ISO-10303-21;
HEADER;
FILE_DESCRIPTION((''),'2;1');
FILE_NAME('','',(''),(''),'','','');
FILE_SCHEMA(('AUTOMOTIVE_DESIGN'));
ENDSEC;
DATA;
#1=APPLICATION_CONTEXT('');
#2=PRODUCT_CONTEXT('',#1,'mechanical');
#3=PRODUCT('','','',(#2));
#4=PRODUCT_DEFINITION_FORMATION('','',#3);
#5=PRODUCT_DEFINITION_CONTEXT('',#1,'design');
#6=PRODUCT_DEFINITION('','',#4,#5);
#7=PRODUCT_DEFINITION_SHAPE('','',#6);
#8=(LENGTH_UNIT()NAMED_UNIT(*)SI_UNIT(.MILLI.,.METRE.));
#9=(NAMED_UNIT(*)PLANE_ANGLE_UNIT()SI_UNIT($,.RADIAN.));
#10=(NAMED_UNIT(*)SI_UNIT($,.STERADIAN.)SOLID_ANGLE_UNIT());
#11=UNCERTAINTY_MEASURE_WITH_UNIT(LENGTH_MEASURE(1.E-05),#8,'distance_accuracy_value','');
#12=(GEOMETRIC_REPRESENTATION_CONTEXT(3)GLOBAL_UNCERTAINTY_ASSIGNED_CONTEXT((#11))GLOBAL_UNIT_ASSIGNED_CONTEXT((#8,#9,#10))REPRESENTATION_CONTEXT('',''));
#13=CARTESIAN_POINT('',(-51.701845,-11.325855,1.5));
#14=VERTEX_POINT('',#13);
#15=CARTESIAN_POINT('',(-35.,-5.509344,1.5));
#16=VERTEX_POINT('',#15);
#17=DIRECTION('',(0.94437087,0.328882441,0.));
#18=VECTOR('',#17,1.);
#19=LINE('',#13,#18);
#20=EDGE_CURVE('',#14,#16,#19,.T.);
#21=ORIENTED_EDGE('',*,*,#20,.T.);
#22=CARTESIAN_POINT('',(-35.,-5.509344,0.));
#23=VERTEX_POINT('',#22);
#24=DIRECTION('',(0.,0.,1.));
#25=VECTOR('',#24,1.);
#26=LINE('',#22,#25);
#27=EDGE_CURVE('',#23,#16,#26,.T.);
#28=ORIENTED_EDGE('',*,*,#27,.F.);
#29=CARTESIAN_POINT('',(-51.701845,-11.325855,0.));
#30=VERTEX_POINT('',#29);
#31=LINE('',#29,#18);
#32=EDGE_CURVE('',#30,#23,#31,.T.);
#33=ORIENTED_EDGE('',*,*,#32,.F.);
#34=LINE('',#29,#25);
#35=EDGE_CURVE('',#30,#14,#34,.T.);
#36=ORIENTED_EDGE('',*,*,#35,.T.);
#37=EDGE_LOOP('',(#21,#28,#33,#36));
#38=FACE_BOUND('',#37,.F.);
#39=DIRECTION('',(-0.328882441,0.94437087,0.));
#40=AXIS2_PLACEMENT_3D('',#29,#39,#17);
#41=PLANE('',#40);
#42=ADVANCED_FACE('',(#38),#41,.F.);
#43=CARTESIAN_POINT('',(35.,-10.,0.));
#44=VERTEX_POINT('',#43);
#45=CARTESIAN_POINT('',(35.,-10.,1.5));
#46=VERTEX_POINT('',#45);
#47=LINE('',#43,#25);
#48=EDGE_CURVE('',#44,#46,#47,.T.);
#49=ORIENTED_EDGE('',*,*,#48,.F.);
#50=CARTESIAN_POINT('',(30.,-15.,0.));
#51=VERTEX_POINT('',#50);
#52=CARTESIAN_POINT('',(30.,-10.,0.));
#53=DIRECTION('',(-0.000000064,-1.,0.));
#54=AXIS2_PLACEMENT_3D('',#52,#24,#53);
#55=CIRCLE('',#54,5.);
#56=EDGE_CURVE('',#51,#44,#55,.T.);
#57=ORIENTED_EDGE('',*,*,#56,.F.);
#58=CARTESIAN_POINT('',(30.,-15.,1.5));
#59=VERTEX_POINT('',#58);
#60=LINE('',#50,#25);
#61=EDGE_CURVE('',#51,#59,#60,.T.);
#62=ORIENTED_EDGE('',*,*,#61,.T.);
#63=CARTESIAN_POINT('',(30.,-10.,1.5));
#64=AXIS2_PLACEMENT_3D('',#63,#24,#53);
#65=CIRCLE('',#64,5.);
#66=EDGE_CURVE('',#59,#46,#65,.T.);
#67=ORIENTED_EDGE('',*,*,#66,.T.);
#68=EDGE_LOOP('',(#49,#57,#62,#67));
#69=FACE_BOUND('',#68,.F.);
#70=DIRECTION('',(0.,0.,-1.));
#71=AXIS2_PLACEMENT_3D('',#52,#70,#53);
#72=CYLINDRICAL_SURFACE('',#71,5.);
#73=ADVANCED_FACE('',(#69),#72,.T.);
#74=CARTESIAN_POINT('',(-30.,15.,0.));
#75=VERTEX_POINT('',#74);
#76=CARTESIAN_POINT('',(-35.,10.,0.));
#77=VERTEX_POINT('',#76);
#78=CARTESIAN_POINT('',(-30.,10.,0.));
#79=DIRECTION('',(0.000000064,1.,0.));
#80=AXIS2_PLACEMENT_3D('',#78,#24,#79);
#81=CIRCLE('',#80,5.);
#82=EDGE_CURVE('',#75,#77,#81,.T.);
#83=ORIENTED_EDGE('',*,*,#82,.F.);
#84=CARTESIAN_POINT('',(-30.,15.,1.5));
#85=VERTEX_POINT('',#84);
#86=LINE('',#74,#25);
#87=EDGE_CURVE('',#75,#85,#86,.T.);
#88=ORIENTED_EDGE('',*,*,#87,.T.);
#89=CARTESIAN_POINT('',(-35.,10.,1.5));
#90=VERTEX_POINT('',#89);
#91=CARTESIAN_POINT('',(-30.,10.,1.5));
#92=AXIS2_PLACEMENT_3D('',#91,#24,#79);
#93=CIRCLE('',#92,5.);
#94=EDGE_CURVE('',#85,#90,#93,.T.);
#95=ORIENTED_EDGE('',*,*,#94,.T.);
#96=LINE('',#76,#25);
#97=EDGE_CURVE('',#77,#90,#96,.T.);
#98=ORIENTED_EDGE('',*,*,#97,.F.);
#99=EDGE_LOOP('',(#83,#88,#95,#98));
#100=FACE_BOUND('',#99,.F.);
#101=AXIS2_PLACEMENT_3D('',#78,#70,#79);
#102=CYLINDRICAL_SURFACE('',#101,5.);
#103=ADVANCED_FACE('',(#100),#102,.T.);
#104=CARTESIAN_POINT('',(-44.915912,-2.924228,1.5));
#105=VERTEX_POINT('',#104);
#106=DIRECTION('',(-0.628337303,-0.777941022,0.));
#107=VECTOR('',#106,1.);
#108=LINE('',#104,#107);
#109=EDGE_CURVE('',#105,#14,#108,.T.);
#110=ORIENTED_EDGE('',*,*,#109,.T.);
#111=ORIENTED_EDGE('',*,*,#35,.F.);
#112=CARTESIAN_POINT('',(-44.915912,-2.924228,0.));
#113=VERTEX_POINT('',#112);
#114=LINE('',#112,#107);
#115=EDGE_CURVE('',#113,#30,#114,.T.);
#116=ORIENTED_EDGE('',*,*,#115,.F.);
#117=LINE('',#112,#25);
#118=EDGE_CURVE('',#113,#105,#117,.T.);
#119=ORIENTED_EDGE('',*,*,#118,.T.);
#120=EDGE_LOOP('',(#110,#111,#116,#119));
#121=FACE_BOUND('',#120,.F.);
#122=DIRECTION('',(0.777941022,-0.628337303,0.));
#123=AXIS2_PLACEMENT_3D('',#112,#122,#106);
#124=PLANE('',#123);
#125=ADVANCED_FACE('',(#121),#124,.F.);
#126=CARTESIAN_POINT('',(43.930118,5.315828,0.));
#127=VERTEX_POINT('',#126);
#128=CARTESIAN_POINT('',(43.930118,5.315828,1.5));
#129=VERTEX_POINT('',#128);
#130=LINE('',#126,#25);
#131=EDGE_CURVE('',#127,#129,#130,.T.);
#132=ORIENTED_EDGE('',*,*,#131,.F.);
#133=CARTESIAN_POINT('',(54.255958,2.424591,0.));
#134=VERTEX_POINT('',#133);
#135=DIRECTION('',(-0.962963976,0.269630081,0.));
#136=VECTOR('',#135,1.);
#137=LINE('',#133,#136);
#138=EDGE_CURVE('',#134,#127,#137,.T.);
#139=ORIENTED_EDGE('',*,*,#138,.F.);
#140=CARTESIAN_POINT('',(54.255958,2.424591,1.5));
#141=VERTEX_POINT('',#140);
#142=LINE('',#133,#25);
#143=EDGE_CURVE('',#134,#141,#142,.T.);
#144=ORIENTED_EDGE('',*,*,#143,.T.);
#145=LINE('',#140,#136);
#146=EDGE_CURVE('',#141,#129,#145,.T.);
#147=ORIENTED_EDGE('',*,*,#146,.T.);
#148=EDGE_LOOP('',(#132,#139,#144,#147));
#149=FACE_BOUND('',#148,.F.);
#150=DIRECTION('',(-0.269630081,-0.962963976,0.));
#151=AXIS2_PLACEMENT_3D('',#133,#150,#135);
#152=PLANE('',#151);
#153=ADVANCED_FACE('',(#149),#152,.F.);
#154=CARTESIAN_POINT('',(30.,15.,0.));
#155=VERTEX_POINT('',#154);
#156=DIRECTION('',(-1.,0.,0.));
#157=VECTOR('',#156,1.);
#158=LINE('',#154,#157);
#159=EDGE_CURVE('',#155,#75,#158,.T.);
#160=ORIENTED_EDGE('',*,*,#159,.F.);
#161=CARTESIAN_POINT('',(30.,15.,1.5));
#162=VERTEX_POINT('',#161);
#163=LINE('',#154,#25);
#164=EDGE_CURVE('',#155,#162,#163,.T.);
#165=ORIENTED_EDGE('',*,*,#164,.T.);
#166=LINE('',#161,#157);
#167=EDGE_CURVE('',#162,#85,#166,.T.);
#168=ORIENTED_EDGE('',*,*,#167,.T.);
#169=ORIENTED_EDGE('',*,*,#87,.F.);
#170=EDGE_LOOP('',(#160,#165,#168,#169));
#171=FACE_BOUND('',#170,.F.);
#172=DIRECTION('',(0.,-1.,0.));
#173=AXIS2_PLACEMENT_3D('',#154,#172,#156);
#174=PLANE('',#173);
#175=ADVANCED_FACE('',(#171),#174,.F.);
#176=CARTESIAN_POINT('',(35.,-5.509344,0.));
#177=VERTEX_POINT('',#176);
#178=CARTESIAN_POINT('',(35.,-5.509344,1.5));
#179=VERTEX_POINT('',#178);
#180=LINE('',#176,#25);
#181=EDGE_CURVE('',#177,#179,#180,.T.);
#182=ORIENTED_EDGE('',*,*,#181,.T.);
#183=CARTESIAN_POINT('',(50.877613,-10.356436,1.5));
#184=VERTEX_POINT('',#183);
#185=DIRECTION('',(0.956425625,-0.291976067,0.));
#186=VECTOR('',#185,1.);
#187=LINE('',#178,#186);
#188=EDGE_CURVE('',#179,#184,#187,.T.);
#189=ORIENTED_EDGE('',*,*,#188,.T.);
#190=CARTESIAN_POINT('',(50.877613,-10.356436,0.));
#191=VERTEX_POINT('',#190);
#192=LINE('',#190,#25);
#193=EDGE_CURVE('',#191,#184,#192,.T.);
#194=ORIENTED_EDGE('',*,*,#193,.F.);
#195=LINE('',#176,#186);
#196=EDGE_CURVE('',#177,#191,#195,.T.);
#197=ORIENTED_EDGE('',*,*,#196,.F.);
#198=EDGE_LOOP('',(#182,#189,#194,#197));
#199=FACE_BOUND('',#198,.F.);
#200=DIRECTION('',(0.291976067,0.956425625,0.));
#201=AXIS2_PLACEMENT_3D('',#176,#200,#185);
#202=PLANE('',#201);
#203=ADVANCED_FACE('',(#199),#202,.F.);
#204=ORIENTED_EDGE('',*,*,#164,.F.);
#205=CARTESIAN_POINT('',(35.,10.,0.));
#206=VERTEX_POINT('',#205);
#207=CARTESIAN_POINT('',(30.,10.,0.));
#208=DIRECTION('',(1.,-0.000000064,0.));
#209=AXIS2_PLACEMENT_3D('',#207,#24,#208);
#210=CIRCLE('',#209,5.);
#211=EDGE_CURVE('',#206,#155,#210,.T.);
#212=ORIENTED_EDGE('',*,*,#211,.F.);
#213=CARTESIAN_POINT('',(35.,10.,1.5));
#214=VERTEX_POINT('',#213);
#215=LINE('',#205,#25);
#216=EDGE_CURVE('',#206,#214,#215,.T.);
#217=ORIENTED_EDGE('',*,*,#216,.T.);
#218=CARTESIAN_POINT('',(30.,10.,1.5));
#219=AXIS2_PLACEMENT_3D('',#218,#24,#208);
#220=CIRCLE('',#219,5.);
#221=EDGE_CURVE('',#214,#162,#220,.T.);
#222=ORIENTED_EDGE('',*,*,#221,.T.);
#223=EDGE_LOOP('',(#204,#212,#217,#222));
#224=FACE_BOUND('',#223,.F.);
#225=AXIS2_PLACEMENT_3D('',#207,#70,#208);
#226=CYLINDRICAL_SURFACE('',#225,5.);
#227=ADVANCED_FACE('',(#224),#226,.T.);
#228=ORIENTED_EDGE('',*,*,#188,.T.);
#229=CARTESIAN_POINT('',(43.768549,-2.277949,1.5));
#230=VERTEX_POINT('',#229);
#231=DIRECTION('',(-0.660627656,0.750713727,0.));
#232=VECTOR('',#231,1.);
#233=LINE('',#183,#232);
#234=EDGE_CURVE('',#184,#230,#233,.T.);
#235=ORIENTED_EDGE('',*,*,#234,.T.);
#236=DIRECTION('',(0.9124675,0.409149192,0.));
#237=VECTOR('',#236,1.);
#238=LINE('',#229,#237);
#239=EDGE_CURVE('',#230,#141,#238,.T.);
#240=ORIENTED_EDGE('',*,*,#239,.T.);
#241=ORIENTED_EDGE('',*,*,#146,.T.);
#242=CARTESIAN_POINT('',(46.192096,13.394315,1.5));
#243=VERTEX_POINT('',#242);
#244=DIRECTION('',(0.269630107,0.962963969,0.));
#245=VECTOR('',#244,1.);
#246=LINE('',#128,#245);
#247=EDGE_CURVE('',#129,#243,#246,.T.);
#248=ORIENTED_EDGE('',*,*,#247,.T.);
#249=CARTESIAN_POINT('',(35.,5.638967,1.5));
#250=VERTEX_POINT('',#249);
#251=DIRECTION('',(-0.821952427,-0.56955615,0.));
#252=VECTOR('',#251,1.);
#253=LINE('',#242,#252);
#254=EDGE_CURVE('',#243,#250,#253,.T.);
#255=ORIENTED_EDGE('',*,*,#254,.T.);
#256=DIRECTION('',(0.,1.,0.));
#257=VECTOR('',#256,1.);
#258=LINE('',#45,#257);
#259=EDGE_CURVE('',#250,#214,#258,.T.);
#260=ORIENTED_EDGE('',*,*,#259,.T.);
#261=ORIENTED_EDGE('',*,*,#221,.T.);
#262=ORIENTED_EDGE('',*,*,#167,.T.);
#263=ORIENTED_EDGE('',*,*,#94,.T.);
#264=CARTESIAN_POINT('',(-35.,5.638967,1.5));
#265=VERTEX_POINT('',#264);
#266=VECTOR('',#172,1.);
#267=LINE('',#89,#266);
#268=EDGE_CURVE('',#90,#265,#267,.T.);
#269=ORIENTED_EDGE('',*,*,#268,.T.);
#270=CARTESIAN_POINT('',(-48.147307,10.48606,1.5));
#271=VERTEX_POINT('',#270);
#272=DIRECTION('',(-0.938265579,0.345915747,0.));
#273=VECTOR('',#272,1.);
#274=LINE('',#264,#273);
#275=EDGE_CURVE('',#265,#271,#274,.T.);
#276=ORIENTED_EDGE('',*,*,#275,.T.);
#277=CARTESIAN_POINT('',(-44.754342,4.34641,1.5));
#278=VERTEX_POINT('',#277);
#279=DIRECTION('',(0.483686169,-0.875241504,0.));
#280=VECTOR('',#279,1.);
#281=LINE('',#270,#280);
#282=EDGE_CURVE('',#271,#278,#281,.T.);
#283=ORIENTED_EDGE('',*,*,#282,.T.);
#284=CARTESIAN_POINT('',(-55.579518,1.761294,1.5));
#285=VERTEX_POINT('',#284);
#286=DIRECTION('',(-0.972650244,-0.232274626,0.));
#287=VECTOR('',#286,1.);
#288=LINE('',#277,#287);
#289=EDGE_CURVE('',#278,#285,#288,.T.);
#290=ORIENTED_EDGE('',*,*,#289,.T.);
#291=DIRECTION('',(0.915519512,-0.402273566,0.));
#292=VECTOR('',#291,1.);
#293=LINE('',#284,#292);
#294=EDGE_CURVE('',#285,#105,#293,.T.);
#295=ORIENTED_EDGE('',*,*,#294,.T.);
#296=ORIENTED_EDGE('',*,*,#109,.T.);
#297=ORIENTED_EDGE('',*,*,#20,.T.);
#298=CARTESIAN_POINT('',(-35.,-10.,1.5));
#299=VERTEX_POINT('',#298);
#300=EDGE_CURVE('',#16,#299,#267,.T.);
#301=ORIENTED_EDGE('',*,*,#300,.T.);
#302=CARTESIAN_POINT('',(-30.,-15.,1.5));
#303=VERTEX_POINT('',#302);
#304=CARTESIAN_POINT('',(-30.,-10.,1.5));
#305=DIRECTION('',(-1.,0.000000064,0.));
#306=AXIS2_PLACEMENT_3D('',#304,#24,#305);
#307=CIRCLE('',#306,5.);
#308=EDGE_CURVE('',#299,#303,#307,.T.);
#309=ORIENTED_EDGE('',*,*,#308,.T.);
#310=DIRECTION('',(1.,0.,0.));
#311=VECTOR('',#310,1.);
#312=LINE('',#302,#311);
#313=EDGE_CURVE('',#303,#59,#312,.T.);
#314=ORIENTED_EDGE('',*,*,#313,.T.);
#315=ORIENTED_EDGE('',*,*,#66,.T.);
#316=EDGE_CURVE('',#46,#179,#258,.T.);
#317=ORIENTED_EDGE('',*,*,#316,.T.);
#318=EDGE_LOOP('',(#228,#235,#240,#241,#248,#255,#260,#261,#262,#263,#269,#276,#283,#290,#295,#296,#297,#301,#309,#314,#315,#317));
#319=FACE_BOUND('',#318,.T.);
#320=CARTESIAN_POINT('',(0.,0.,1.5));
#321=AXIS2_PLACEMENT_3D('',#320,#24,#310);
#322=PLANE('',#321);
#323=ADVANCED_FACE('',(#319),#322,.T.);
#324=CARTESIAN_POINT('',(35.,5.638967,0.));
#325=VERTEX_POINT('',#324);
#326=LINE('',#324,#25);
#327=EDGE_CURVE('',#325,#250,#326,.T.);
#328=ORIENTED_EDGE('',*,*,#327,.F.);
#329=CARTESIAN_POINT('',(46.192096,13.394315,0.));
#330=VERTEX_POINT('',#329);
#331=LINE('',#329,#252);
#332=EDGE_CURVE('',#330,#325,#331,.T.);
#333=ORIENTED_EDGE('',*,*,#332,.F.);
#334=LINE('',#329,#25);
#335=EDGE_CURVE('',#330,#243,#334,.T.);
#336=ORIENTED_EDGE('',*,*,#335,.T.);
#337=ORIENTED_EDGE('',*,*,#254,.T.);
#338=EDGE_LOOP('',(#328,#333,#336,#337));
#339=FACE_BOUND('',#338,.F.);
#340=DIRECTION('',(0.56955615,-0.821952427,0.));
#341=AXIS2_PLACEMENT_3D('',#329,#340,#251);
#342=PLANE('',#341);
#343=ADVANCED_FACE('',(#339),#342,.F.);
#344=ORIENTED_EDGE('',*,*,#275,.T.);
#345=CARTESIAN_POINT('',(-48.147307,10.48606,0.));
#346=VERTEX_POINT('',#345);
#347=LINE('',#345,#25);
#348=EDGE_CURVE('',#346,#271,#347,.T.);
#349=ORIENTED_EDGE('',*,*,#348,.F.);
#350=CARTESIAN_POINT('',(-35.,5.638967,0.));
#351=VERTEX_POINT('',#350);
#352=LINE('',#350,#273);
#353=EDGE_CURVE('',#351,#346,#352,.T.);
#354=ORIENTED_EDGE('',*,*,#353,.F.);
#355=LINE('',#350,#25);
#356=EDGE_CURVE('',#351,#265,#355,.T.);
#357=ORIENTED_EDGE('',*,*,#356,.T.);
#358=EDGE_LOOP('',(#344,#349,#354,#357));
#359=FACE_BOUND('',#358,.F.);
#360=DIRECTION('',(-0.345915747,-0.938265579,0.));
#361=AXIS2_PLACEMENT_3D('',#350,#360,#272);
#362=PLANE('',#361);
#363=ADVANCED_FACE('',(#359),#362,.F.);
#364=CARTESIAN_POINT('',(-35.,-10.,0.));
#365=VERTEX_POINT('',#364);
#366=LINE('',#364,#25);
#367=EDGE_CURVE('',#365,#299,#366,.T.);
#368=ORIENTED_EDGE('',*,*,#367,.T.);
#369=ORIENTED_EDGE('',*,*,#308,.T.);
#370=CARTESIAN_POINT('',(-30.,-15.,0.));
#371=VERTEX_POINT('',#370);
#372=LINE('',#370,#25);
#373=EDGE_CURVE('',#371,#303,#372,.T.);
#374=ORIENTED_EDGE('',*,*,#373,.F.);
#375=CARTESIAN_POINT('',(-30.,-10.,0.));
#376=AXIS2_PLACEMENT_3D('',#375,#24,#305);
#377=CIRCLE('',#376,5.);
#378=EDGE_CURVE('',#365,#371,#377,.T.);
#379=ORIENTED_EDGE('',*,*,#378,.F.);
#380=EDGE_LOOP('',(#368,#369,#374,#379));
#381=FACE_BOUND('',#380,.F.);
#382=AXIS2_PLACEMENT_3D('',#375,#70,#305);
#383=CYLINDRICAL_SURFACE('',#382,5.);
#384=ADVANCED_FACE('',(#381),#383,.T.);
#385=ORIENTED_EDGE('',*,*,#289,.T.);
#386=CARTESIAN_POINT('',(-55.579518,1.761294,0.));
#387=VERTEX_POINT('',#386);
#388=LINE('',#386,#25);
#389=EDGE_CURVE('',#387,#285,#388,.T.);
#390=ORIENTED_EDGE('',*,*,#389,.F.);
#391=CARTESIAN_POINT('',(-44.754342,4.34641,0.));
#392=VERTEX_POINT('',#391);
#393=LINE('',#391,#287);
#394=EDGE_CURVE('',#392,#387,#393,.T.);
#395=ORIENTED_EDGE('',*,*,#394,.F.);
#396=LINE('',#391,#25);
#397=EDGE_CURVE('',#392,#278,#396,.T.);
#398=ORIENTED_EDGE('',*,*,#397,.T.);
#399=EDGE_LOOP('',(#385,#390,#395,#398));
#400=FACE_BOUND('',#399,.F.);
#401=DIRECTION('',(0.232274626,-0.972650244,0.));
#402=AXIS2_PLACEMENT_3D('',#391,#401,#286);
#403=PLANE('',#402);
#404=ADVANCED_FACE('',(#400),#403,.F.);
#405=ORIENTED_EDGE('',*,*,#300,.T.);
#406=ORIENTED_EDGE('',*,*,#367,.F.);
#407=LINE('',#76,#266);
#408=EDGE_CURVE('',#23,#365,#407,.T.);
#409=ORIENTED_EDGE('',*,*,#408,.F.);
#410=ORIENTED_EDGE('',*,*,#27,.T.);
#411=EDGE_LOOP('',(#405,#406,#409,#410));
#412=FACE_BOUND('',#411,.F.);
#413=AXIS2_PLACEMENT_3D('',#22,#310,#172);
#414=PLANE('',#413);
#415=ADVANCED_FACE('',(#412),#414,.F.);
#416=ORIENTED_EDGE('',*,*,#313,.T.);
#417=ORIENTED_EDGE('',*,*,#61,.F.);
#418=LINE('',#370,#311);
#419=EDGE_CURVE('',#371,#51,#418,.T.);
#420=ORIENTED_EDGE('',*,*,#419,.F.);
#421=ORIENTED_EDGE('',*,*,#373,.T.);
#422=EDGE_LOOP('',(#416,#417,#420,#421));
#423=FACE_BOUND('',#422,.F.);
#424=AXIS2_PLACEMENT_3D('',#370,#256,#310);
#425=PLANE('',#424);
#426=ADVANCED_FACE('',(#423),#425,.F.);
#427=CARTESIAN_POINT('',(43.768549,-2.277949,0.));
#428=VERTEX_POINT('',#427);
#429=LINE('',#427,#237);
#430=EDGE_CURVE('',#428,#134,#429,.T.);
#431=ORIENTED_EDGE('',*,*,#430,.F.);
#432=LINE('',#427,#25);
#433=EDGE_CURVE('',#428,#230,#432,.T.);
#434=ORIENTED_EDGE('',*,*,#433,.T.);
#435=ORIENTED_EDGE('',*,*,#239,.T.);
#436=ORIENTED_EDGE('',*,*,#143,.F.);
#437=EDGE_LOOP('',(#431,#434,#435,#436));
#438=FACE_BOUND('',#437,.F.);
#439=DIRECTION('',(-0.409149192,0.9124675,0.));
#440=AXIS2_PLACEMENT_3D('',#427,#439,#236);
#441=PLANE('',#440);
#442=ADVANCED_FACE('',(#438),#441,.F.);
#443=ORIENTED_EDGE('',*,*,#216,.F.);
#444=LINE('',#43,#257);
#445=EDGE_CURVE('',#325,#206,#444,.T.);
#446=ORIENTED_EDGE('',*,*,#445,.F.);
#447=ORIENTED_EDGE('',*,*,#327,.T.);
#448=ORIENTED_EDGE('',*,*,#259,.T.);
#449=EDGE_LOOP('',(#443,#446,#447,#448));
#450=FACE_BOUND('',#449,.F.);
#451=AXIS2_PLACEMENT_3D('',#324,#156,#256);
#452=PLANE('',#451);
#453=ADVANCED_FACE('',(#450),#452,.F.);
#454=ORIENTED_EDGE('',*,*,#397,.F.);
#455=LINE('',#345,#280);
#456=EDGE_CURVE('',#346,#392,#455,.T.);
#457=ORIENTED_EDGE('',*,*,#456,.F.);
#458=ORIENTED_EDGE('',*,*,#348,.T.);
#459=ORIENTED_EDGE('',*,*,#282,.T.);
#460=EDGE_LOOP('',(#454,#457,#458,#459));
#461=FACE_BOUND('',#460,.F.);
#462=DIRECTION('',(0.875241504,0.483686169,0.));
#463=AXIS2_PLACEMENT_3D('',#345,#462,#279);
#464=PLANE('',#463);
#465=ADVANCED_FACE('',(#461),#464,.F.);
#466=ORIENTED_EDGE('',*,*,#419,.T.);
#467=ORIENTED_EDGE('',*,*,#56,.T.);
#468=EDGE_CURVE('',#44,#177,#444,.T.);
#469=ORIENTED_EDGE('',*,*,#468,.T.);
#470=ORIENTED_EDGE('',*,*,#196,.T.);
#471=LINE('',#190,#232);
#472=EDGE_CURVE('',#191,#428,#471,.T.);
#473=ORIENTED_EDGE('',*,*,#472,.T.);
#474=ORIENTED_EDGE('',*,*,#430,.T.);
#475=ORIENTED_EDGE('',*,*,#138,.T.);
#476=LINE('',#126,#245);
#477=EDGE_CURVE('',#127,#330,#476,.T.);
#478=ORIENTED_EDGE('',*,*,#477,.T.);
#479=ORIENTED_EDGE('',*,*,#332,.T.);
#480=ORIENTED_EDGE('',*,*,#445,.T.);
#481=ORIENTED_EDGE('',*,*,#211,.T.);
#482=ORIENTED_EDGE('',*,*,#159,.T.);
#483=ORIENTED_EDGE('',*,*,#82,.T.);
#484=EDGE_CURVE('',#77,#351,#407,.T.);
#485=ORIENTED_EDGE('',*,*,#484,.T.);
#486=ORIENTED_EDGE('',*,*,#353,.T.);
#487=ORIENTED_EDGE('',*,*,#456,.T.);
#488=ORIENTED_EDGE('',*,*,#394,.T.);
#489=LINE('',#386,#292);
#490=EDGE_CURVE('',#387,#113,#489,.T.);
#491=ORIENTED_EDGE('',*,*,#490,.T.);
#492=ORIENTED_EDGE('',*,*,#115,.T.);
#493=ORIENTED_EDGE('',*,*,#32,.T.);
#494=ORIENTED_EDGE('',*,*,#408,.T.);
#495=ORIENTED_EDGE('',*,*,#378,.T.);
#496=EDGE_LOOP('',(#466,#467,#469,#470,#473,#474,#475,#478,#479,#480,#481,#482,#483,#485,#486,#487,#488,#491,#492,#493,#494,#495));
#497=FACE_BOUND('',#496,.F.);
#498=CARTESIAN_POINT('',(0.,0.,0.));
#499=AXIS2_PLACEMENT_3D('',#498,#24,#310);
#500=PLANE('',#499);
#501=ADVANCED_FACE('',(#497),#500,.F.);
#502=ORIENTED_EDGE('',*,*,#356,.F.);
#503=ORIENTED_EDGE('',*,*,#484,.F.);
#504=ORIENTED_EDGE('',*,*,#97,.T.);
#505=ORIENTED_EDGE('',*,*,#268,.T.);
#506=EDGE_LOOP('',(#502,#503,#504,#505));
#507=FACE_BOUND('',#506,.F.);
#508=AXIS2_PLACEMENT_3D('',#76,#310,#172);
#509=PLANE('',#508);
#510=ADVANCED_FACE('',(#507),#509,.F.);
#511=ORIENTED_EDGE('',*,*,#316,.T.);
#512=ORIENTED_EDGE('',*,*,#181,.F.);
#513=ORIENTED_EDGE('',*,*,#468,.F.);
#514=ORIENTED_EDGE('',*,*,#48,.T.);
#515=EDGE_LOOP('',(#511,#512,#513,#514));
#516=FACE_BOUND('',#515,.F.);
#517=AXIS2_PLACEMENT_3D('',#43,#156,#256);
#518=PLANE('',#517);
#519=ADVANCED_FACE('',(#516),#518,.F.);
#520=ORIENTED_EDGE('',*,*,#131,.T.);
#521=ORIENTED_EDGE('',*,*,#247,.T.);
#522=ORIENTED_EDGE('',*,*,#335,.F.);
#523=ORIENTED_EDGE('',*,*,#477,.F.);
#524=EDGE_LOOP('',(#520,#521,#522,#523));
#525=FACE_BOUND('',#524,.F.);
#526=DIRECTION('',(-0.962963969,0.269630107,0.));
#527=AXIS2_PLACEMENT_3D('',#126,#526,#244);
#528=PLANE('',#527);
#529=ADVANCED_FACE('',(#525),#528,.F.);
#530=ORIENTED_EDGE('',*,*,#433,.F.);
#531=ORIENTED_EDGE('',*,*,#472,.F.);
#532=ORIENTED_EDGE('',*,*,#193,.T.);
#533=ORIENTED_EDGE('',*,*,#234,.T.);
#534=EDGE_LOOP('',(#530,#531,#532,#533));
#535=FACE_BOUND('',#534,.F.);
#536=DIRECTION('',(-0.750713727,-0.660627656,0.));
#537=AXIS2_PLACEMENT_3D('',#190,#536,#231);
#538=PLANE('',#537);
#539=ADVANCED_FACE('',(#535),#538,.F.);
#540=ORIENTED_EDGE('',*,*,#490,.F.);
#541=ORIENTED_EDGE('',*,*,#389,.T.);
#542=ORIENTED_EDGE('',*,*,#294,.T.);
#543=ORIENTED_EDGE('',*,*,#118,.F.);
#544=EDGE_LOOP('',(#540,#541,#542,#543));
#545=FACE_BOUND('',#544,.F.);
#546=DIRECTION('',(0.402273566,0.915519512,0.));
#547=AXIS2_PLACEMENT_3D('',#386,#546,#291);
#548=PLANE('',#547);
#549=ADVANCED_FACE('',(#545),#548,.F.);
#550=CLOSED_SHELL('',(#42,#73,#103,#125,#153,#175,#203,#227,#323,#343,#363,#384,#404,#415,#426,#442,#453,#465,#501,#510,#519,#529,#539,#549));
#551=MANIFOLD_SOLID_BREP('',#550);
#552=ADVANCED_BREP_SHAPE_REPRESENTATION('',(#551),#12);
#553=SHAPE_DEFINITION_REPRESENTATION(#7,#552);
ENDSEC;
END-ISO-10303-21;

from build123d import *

# Parameters (mm, degrees)
F1_DEPTH = 1.5


with BuildPart() as f1:
    # F0 (on Top) → F1 (new body)
    with BuildSketch(Plane.XY):
        with BuildLine():
            Line((30, 15), (-30, 15))
            ThreePointArc((-30, 15), (-33.535534, 13.535534), (-35, 10))
            Line((-35, 10), (-35, 5.638967))
            Line((-35, 5.638967), (-35, -5.509344))
            Line((-35, -5.509344), (-35, -10))
            ThreePointArc((-35, -10), (-33.535534, -13.535534), (-30, -15))
            Line((-30, -15), (30, -15))
            ThreePointArc((30, -15), (33.535534, -13.535534), (35, -10))
            Line((35, -10), (35, -5.509344))
            Line((35, -5.509344), (35, 5.638967))
            Line((35, 5.638967), (35, 10))
            ThreePointArc((35, 10), (33.535534, 13.535534), (30, 15))
        make_face()
        Polygon((-35, -5.509344), (-35, 5.638967), (-48.147307, 10.48606), (-44.754342, 4.34641), (-55.579518, 1.761294), (-44.915912, -2.924228), (-51.701845, -11.325855), align=None)
        Polygon((46.192096, 13.394315), (35, 5.638967), (35, -5.509344), (50.877613, -10.356436), (43.768549, -2.277949), (54.255958, 2.424591), (43.930118, 5.315828), align=None)
    extrude(amount=F1_DEPTH)


solid = f1.part
